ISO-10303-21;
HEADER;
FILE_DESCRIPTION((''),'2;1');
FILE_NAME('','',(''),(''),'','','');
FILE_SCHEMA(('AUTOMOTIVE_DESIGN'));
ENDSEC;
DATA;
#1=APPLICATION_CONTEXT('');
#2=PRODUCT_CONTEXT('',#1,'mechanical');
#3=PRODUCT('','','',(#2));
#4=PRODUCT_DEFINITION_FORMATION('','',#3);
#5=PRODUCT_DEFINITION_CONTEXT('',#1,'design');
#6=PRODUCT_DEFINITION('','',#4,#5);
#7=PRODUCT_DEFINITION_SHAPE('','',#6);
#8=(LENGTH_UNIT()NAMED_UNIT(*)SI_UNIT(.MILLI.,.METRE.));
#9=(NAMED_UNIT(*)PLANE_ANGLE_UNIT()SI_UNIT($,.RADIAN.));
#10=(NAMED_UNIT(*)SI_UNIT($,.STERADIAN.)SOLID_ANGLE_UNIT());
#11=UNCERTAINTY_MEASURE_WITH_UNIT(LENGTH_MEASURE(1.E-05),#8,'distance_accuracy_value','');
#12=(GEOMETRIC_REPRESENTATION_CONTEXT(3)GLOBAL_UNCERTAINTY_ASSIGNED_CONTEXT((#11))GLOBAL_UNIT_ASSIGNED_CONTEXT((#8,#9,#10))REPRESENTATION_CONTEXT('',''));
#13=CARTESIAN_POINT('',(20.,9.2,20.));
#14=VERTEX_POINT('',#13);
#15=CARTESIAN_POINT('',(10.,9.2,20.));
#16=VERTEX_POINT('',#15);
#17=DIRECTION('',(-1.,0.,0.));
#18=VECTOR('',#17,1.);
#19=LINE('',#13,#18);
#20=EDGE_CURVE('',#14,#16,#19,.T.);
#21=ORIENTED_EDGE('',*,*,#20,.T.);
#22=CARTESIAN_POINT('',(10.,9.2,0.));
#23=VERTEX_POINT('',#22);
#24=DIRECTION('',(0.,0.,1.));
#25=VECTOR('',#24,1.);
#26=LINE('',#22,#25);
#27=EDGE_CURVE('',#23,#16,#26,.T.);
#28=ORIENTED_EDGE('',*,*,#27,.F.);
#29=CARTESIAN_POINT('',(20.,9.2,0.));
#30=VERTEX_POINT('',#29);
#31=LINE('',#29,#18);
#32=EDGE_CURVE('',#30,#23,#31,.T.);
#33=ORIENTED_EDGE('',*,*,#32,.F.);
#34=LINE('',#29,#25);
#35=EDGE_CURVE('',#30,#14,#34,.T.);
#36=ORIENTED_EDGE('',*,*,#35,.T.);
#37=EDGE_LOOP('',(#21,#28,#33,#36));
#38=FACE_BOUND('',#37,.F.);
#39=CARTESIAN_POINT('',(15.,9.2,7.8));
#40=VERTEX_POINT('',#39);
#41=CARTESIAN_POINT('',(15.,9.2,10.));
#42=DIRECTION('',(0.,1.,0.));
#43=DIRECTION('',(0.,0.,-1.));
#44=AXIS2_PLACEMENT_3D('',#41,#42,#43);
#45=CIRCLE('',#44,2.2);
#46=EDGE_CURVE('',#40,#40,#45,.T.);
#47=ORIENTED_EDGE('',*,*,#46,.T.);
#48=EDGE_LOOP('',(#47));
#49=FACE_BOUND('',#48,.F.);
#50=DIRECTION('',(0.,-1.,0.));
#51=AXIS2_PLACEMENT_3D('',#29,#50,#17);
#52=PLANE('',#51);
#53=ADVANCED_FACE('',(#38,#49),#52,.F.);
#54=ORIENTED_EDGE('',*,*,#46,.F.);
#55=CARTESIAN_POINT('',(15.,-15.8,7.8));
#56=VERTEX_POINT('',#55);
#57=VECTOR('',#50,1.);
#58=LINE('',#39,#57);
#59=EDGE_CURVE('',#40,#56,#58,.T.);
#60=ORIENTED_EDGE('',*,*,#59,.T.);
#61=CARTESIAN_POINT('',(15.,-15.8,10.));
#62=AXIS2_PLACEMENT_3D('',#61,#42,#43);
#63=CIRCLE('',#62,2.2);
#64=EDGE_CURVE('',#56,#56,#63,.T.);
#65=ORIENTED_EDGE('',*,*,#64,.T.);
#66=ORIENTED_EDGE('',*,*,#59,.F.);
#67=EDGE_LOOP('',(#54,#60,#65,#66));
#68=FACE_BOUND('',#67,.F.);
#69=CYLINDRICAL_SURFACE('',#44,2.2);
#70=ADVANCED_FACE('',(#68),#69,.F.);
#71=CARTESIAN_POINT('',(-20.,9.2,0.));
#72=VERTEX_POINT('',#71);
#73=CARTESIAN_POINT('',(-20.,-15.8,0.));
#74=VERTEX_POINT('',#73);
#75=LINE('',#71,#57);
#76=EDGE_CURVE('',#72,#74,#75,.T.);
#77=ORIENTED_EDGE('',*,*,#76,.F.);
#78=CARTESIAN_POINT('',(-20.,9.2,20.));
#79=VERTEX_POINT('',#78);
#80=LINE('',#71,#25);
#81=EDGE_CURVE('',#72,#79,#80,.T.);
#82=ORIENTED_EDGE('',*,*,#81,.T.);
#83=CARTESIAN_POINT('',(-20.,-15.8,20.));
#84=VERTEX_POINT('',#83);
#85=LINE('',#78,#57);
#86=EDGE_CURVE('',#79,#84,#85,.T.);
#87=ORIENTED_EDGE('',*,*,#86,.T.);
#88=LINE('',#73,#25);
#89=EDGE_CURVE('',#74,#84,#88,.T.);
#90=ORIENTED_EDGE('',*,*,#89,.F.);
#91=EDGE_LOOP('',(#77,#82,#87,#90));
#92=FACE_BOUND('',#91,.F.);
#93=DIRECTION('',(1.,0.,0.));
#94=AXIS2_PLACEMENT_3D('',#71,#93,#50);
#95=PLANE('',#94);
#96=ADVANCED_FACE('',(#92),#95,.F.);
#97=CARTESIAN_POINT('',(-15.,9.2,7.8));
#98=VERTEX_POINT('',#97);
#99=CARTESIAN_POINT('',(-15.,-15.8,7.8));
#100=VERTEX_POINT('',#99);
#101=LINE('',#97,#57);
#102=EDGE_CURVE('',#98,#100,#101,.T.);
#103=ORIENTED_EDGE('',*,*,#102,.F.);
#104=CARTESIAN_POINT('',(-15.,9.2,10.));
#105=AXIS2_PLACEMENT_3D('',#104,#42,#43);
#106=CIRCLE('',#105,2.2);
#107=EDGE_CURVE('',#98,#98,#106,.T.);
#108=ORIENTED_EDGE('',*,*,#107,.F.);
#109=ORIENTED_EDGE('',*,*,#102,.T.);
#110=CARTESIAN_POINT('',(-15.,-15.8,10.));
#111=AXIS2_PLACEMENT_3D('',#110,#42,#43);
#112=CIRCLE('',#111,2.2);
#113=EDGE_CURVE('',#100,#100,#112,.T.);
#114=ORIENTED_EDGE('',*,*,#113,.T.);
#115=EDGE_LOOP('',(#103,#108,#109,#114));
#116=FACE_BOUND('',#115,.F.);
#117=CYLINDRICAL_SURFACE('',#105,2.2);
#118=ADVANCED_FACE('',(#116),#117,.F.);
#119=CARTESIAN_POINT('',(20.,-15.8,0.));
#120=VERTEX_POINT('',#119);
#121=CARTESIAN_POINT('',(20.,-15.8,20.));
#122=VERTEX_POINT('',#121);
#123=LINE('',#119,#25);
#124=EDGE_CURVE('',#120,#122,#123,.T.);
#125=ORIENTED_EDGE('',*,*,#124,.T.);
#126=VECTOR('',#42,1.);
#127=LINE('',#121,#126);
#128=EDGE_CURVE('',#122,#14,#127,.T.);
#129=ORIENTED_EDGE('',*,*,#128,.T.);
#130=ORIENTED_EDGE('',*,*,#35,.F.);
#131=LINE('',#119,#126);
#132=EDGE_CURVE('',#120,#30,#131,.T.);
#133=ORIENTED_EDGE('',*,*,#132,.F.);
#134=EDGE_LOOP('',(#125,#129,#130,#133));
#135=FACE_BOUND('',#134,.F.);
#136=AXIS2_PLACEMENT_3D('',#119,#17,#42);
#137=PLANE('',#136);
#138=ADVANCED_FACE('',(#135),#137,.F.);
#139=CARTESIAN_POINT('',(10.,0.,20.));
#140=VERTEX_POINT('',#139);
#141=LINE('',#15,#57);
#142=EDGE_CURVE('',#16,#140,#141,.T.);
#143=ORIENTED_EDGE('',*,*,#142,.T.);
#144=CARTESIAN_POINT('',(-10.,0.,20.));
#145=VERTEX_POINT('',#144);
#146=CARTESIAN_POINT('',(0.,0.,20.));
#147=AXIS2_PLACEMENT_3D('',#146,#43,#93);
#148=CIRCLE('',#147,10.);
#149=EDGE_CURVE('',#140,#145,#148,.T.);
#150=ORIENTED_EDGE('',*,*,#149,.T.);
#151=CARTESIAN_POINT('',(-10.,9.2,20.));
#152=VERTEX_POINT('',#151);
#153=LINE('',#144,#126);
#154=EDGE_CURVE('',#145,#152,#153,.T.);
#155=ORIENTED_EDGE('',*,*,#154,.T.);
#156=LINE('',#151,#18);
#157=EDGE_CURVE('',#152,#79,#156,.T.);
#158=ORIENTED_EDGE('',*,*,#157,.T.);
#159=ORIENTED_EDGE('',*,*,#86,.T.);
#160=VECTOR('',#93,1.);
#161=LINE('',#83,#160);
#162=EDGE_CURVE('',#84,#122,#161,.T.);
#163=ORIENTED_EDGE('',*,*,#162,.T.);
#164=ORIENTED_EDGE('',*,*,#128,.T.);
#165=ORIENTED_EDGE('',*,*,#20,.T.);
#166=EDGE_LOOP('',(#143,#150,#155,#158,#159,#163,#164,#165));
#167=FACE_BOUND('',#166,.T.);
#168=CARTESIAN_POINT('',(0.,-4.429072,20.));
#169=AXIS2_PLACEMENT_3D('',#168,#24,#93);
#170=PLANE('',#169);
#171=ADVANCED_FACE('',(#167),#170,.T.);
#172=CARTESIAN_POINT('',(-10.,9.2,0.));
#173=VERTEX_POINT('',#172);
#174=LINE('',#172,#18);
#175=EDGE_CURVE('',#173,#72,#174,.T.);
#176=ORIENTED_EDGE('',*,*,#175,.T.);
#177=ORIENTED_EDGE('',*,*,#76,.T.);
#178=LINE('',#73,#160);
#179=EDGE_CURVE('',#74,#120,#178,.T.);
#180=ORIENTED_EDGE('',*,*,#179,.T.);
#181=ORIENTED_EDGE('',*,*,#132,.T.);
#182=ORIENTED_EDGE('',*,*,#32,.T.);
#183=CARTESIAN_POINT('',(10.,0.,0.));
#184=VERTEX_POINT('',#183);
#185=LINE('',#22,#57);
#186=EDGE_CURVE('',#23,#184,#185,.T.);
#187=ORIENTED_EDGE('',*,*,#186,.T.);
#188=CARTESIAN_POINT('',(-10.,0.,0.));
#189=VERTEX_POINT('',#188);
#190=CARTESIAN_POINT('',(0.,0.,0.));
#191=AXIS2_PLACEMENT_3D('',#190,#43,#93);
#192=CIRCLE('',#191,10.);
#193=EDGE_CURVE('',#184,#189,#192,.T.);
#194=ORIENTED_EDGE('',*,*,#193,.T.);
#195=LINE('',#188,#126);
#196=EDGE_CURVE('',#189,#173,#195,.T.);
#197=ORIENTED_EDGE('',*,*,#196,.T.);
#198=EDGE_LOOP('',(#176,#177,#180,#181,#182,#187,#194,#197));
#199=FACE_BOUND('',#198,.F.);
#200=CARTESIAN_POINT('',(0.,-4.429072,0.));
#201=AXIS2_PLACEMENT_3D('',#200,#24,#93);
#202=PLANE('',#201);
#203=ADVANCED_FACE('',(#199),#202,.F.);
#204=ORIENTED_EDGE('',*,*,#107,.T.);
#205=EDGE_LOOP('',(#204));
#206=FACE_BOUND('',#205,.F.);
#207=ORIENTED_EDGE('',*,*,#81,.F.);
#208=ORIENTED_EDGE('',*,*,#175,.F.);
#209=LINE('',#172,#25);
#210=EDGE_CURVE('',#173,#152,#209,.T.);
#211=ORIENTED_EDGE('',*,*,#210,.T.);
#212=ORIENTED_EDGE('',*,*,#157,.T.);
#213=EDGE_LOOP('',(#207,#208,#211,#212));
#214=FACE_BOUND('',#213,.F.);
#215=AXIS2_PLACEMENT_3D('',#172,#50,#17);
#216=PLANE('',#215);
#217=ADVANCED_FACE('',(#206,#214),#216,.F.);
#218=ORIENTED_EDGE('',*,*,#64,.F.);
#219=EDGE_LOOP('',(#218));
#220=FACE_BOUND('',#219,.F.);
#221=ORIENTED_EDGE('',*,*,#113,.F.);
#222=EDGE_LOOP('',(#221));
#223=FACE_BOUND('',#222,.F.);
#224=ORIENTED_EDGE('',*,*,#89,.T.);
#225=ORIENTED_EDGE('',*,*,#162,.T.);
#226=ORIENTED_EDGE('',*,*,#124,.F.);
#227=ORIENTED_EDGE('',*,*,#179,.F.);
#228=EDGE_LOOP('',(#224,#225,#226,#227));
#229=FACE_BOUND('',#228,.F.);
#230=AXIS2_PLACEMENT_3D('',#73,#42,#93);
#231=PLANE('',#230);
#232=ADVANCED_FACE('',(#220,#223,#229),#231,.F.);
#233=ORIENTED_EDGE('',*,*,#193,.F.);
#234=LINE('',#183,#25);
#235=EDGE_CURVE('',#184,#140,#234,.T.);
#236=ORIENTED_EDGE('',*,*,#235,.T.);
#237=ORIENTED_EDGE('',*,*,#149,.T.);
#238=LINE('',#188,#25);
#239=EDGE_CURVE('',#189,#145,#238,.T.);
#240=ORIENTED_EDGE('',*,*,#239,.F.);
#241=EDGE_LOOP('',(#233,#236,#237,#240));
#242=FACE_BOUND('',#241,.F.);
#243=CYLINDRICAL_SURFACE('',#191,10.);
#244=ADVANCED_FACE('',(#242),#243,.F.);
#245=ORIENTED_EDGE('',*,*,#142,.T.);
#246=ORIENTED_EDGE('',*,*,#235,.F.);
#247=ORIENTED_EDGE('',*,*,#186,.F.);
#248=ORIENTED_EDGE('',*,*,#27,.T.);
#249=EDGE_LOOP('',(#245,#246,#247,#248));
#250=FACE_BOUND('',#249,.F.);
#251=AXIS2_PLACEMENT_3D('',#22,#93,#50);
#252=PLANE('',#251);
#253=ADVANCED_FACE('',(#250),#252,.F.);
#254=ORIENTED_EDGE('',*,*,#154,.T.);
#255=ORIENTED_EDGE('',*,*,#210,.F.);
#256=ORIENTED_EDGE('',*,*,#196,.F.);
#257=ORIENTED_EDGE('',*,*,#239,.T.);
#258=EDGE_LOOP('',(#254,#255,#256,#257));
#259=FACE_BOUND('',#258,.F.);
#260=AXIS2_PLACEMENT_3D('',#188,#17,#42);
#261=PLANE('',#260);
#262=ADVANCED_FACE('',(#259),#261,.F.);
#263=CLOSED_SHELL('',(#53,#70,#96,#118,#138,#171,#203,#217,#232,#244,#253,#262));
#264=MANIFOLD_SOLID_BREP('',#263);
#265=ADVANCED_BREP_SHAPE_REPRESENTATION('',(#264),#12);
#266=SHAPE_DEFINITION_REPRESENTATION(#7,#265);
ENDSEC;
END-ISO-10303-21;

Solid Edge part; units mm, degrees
sketch "Sketch1" plane through (0, 0, 0) normal (0, 0, 1) x (1, 0, 0)
  line L0 (-10, 0) -> (-10, 9.2)
  line L1 (-10, 9.2) -> (-20, 9.2)
  line L2 (-20, 9.2) -> (-20, -15.8)
  line L3 (-20, -15.8) -> (20, -15.8)
  line L4 (20, -15.8) -> (20, 9.2)
  line L5 (20, 9.2) -> (10, 9.2)
  line L6 (10, 9.2) -> (10, 0)
  arc A0 (10, 0) -> (-10, 0) centre (0, 0) cw
  dimension "D1" = 10
  dimension "D2" = 25
extrude "Protrusion1" add sketch "Sketch1" along normal blind 20
sketch "Sketch2" plane through (-15, 9.2, 10) normal (0, 1, 0) x (0, 0, -1)
  circle A0 centre (0, -30) radius 2.2
  circle A1 centre (0, 0) radius 2.2
  dimension "D1" = 15
  dimension "D2" = 15
  dimension "D3" = 10
extrude "Cutout1" cut sketch "Sketch2" against normal through all
properties material "ABS Plastic, medium impact"
